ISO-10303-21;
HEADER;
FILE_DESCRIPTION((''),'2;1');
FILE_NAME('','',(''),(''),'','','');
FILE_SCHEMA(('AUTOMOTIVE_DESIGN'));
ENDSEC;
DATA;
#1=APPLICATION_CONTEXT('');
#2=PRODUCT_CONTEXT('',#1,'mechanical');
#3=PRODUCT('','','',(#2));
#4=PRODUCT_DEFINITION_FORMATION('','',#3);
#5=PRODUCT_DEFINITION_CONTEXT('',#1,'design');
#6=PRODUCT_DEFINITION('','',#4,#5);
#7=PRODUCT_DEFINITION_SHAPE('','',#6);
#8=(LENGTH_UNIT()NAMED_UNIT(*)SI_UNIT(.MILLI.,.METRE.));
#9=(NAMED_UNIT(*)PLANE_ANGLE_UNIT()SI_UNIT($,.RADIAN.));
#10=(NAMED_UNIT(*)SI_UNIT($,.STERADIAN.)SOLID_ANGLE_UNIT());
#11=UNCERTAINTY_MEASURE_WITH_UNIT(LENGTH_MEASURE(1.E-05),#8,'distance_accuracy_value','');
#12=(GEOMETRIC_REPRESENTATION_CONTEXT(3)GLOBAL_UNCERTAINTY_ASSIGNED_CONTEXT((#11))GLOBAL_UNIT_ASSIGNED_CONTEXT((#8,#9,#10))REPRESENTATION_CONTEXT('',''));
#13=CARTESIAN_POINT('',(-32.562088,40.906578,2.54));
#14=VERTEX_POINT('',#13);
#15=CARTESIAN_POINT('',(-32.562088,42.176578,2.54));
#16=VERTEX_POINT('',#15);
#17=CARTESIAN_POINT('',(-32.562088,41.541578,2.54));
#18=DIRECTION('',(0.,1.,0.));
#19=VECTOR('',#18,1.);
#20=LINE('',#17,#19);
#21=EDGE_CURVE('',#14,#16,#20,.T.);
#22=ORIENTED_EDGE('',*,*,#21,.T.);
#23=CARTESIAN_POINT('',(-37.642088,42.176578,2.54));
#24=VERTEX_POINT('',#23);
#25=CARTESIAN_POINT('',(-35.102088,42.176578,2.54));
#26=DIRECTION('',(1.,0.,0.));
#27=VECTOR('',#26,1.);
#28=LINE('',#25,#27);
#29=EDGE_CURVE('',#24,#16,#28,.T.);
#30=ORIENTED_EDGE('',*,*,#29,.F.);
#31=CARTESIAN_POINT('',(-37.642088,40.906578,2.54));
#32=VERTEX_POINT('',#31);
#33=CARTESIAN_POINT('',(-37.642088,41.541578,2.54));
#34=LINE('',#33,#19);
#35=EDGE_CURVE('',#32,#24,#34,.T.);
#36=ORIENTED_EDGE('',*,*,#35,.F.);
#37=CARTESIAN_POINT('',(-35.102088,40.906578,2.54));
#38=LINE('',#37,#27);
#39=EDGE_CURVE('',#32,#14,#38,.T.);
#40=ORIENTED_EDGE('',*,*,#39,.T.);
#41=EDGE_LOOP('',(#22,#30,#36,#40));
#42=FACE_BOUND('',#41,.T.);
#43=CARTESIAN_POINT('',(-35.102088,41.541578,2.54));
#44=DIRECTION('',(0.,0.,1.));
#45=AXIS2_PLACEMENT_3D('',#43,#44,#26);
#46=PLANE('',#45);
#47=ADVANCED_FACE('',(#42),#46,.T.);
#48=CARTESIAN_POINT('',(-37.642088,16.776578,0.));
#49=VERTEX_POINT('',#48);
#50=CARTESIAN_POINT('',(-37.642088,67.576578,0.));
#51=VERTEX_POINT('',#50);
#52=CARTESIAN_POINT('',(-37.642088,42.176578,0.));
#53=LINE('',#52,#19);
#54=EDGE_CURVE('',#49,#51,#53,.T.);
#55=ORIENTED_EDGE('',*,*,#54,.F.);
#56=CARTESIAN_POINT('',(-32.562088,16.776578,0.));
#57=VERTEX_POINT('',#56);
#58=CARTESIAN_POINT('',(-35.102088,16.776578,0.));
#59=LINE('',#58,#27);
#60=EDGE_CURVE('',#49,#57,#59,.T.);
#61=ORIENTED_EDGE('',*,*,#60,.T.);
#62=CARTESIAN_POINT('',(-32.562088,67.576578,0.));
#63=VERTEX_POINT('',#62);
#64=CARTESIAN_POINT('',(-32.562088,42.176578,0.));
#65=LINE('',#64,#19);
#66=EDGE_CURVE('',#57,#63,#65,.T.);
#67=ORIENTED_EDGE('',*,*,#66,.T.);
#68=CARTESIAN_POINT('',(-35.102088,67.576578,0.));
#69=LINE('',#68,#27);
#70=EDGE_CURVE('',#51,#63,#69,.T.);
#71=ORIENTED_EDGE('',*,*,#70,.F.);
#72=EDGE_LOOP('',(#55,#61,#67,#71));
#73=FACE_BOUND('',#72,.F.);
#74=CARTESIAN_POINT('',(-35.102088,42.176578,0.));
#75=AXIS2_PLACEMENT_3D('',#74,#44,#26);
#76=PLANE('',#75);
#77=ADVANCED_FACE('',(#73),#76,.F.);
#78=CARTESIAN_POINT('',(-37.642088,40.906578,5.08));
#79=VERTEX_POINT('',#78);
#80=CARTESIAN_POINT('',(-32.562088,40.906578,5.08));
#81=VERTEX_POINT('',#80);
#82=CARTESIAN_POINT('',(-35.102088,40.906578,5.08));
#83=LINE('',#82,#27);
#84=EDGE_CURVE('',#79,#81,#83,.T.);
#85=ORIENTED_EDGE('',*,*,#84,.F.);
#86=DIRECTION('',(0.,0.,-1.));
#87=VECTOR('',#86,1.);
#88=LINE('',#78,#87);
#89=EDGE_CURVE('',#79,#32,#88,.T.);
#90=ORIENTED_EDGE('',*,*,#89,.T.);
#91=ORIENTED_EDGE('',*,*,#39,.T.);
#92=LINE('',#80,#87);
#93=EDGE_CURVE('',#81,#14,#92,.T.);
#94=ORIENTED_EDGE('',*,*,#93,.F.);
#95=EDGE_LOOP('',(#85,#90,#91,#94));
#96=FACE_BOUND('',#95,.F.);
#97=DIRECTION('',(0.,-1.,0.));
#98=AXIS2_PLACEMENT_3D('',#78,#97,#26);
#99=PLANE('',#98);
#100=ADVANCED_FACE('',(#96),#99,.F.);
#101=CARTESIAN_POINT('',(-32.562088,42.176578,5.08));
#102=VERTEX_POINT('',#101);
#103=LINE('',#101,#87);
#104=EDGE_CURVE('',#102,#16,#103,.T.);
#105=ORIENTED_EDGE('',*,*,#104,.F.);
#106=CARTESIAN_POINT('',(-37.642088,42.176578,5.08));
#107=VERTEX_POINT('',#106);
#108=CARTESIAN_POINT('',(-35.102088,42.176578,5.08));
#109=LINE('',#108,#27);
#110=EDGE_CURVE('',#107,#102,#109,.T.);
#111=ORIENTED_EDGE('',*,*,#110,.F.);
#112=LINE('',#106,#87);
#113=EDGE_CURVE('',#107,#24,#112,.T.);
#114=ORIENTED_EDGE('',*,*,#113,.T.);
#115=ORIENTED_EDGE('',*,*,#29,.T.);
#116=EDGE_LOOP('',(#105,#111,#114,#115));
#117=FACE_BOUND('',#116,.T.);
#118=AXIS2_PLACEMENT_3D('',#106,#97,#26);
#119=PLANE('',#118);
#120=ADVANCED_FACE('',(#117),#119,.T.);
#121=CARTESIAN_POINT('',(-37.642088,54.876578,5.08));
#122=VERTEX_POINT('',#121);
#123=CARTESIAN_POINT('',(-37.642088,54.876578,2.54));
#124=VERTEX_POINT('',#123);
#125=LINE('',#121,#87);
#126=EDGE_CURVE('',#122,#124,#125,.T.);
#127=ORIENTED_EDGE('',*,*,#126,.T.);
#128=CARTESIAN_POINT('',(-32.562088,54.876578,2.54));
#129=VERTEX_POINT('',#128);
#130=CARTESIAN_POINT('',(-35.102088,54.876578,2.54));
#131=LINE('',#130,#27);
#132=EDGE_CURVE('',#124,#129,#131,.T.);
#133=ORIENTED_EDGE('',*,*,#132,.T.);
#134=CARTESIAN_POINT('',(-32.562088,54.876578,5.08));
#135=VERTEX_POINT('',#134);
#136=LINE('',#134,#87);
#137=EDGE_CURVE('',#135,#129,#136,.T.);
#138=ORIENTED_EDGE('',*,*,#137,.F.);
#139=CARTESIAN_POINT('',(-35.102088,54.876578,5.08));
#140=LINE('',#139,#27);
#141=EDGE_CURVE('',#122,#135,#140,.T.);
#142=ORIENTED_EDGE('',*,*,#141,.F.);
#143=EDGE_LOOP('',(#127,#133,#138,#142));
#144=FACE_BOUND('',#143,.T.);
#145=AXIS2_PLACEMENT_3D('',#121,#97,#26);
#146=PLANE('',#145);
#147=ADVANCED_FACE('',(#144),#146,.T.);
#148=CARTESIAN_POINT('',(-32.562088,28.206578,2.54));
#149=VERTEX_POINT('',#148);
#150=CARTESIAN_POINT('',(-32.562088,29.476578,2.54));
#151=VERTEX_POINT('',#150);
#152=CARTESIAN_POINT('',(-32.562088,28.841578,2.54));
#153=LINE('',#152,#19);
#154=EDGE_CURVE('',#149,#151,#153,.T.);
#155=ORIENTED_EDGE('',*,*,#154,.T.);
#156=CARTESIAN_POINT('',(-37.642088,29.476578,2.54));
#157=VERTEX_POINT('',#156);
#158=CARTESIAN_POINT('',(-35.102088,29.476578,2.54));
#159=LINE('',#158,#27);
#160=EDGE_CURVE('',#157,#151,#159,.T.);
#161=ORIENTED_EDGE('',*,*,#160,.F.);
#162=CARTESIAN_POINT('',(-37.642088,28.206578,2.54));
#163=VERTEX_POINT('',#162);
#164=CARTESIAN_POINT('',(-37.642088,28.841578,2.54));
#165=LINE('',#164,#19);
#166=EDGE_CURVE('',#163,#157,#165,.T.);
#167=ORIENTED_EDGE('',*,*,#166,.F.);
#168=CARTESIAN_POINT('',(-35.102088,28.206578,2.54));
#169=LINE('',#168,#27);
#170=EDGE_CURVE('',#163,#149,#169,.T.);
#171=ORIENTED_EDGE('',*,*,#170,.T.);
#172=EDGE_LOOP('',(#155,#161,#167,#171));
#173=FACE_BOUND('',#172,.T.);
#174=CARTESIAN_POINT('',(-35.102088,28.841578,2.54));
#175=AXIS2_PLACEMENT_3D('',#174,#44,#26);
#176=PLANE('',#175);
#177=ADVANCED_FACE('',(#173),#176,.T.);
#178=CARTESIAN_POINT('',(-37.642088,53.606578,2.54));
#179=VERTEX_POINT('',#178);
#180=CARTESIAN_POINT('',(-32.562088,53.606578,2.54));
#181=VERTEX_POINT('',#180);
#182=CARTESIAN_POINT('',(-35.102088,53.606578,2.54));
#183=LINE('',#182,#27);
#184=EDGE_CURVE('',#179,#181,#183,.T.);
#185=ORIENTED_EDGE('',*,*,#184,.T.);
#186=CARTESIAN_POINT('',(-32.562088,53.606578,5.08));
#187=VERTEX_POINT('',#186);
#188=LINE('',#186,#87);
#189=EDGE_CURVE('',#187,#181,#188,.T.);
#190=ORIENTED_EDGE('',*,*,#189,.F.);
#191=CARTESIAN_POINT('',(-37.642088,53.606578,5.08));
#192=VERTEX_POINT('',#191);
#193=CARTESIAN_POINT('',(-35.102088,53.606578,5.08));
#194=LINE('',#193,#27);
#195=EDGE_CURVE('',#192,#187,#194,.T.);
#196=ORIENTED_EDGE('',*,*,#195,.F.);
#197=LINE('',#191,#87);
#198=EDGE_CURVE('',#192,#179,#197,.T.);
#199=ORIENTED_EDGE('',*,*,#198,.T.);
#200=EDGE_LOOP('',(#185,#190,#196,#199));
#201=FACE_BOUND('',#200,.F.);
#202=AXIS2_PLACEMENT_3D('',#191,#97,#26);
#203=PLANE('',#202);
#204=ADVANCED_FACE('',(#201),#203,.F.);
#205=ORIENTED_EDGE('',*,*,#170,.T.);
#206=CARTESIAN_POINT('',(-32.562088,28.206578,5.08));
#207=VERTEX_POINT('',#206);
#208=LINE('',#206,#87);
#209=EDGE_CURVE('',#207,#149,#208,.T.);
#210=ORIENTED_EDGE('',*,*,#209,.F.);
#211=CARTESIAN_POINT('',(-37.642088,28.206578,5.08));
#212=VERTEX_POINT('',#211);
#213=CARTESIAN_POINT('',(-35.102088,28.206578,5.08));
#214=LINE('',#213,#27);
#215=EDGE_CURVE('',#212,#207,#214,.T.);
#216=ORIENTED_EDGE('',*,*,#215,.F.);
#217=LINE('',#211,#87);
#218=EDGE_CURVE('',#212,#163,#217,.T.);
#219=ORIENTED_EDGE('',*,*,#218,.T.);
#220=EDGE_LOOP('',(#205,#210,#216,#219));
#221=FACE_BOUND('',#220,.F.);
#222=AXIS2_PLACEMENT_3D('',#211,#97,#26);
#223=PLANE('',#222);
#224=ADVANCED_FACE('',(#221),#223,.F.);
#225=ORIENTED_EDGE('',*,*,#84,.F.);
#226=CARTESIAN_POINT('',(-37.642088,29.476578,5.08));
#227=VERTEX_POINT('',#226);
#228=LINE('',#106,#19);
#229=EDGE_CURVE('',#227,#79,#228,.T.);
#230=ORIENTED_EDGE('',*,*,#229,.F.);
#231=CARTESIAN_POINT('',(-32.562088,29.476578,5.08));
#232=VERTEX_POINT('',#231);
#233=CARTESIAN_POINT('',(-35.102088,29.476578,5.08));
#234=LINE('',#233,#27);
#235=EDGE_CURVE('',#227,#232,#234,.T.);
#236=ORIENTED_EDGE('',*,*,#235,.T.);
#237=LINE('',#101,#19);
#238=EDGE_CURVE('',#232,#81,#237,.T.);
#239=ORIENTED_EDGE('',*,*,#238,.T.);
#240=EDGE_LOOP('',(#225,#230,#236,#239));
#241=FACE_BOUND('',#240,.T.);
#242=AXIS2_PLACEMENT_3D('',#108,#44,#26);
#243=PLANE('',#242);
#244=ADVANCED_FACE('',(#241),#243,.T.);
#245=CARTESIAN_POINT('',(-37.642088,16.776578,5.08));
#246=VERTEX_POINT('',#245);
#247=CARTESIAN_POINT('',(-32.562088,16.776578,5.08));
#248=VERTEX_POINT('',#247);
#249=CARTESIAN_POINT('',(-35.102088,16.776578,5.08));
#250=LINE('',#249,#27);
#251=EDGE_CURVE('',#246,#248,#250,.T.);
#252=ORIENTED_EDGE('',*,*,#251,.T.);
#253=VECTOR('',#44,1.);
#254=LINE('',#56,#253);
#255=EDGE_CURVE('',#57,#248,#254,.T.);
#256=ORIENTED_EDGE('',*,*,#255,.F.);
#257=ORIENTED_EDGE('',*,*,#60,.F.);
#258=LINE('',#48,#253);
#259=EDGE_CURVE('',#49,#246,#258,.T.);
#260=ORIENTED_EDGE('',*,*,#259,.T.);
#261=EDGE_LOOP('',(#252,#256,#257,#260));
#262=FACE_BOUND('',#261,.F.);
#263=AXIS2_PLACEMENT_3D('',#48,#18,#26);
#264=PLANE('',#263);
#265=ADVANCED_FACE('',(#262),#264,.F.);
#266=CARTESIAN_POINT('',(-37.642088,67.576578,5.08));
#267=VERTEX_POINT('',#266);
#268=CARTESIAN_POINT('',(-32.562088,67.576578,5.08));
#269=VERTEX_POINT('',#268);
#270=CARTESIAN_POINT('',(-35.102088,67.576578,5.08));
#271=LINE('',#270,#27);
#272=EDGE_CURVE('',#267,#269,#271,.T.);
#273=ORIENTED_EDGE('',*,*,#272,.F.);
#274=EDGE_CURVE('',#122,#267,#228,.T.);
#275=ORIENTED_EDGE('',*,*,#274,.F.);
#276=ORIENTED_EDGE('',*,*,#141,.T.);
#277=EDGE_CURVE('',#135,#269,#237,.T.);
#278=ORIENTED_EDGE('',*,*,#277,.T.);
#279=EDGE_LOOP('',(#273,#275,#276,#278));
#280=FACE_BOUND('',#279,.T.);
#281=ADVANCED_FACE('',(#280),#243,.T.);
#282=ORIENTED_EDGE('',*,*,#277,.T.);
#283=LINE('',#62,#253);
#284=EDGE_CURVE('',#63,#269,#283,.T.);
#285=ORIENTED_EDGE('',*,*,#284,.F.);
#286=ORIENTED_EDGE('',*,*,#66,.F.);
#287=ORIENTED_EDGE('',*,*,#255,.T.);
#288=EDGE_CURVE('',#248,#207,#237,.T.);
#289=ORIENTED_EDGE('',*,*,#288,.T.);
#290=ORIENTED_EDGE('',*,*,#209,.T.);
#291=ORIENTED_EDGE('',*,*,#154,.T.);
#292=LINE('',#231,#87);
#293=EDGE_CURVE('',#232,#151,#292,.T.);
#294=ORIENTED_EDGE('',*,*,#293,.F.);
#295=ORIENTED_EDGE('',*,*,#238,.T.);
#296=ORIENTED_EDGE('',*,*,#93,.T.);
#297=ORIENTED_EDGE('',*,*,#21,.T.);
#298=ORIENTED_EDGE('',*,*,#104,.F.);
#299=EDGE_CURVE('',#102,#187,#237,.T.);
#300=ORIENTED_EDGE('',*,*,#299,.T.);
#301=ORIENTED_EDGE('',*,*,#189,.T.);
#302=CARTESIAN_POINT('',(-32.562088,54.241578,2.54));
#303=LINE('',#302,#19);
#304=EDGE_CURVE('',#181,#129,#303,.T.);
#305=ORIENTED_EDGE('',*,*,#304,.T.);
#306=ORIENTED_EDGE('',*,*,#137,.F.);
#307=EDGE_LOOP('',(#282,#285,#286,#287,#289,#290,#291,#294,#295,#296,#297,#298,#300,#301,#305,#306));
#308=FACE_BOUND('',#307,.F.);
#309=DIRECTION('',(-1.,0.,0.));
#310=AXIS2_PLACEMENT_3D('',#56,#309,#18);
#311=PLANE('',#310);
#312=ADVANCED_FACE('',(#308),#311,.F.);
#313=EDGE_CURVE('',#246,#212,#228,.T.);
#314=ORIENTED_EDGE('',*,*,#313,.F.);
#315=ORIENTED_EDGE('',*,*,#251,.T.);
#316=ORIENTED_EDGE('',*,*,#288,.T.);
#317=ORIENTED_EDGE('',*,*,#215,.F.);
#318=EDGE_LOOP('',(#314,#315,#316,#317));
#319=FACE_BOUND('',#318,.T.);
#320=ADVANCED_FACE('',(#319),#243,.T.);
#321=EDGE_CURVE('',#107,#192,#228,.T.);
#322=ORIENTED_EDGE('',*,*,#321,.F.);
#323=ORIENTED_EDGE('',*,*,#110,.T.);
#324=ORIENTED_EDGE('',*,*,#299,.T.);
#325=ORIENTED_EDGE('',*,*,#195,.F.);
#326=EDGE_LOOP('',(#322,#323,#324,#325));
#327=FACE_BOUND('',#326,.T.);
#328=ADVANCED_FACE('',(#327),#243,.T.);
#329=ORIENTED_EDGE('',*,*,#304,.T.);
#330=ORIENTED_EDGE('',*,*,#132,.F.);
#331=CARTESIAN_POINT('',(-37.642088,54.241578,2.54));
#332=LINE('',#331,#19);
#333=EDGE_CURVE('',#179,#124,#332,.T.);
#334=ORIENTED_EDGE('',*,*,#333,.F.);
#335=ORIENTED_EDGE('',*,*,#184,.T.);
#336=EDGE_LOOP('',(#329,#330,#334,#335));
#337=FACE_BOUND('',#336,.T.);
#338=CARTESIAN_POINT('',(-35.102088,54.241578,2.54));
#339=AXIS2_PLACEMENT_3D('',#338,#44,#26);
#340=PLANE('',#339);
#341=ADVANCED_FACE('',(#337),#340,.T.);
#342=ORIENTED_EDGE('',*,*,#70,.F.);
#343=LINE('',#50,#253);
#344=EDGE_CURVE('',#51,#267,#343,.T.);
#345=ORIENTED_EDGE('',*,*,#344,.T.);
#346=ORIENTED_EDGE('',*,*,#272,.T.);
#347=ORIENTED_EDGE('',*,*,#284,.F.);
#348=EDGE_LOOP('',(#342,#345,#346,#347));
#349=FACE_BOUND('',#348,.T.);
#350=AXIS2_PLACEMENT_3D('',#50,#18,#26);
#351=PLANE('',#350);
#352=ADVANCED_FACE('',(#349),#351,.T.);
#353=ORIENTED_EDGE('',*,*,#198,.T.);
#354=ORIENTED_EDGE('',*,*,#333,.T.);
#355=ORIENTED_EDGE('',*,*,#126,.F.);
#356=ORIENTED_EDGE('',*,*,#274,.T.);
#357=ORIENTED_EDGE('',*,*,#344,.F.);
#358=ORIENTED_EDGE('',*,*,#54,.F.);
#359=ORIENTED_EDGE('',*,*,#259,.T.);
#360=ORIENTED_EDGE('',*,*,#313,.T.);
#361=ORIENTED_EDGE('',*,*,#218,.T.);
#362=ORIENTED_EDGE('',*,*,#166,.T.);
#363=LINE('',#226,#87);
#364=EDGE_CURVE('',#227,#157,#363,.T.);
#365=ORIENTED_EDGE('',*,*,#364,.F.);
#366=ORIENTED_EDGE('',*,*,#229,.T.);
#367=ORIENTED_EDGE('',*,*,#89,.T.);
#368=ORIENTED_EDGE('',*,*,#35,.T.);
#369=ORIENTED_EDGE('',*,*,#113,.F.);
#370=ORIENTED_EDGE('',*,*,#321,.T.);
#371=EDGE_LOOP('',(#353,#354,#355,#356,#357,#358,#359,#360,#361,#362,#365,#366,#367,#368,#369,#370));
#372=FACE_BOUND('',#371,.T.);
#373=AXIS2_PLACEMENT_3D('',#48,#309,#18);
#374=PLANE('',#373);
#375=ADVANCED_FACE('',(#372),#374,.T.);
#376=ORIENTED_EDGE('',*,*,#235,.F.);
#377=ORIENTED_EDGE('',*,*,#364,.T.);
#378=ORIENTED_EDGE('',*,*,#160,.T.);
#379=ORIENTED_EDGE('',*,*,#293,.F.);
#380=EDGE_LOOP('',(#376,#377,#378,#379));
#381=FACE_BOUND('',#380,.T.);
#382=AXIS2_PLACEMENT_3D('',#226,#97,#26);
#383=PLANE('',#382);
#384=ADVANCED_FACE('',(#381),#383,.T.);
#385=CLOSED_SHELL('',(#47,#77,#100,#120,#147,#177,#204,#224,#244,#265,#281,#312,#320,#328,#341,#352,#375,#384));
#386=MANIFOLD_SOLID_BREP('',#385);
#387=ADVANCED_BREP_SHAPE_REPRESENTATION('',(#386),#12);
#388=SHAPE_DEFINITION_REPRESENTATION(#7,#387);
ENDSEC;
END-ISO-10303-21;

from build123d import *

# Parameters (mm, degrees)
F0_W     = 5.08
F0_H     = 50.8
F1_DEPTH = 5.08
F2_W     = 5.08
F2_H     = 1.27
F3_DEPTH = 2.54


with BuildPart() as f1:
    # F0 (on Top) → F1 (new body)
    with BuildSketch(Plane.XY):
        with Locations((-35.102088, 42.176578)):
            Rectangle(F0_W, F0_H)
    extrude(amount=F1_DEPTH)

    # F2 (on face) → F3 (cut)
    with BuildSketch(Plane.XY.offset(5.08)):
        with Locations((-35.102088, 54.241578)):
            Rectangle(F2_W, F2_H)
        with Locations((-35.102088, 41.541578)):
            Rectangle(F2_W, F2_H)
        with Locations((-35.102088, 28.841578)):
            Rectangle(F2_W, F2_H)
    extrude(amount=-F3_DEPTH, mode=Mode.SUBTRACT)


solid = f1.part
